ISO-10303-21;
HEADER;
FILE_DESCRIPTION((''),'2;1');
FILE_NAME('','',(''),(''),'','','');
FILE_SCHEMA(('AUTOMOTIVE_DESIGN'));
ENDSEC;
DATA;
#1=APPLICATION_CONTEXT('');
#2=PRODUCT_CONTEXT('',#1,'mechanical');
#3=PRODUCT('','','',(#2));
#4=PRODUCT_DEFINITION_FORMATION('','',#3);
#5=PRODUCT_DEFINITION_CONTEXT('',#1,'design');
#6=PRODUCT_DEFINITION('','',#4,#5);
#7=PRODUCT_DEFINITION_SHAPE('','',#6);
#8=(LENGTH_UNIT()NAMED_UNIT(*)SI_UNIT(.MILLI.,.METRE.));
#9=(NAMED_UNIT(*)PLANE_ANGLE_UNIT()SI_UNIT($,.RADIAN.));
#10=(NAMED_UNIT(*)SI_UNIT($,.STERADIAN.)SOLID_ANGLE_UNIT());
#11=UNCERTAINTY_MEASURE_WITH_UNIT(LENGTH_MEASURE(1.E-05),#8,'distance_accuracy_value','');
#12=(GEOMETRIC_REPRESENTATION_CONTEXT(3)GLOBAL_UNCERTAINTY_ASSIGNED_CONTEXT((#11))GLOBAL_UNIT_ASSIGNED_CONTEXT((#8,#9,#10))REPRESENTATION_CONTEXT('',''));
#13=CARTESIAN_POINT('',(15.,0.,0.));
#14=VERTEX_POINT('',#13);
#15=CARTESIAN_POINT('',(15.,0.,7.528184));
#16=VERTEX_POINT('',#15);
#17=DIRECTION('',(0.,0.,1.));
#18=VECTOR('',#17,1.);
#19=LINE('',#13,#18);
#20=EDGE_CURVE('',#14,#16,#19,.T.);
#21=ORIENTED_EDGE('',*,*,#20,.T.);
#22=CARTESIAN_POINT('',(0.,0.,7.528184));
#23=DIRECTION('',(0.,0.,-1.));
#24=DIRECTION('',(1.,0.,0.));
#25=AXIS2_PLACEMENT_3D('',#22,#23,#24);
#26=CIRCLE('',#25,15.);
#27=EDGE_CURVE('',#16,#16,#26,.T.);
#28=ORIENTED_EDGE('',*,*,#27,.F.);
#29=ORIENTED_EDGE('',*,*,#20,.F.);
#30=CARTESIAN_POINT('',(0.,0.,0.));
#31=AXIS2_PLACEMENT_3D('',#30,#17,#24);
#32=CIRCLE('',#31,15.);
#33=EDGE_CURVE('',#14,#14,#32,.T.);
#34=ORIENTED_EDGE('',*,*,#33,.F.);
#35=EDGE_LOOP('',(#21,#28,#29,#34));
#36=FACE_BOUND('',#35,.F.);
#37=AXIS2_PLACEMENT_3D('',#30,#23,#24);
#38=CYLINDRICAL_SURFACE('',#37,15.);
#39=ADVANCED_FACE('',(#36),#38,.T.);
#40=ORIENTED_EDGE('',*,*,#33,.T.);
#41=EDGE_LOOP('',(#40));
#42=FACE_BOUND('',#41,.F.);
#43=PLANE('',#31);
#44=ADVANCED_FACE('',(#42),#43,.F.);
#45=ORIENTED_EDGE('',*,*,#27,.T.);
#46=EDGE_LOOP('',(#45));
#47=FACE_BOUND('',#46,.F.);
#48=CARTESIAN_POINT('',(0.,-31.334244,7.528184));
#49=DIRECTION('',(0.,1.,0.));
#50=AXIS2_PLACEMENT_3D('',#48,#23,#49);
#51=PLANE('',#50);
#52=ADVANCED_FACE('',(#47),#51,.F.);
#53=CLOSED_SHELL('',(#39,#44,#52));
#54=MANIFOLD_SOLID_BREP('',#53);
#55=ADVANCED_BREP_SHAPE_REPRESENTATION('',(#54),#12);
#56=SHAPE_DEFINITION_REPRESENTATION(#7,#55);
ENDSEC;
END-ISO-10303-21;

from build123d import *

# Parameters (mm, degrees)
F0_R     = 15
F1_DEPTH = 30
F3_DEPTH = 25


with BuildPart() as f1:
    # F0 (on Top) → F1 (new body)
    with BuildSketch(Plane.XY):
        Circle(F0_R)
    extrude(amount=F1_DEPTH)

    # F2 (on Right) → F3 (cut, symmetric)
    with BuildSketch(Plane.YZ):
        Polygon((27.991705, 7.528184), (27.991705, 37.135664), (-31.334244, 34.904946), (-31.334244, 7.528184), align=None)
    extrude(amount=F3_DEPTH, both=True, mode=Mode.SUBTRACT)


solid = f1.part
